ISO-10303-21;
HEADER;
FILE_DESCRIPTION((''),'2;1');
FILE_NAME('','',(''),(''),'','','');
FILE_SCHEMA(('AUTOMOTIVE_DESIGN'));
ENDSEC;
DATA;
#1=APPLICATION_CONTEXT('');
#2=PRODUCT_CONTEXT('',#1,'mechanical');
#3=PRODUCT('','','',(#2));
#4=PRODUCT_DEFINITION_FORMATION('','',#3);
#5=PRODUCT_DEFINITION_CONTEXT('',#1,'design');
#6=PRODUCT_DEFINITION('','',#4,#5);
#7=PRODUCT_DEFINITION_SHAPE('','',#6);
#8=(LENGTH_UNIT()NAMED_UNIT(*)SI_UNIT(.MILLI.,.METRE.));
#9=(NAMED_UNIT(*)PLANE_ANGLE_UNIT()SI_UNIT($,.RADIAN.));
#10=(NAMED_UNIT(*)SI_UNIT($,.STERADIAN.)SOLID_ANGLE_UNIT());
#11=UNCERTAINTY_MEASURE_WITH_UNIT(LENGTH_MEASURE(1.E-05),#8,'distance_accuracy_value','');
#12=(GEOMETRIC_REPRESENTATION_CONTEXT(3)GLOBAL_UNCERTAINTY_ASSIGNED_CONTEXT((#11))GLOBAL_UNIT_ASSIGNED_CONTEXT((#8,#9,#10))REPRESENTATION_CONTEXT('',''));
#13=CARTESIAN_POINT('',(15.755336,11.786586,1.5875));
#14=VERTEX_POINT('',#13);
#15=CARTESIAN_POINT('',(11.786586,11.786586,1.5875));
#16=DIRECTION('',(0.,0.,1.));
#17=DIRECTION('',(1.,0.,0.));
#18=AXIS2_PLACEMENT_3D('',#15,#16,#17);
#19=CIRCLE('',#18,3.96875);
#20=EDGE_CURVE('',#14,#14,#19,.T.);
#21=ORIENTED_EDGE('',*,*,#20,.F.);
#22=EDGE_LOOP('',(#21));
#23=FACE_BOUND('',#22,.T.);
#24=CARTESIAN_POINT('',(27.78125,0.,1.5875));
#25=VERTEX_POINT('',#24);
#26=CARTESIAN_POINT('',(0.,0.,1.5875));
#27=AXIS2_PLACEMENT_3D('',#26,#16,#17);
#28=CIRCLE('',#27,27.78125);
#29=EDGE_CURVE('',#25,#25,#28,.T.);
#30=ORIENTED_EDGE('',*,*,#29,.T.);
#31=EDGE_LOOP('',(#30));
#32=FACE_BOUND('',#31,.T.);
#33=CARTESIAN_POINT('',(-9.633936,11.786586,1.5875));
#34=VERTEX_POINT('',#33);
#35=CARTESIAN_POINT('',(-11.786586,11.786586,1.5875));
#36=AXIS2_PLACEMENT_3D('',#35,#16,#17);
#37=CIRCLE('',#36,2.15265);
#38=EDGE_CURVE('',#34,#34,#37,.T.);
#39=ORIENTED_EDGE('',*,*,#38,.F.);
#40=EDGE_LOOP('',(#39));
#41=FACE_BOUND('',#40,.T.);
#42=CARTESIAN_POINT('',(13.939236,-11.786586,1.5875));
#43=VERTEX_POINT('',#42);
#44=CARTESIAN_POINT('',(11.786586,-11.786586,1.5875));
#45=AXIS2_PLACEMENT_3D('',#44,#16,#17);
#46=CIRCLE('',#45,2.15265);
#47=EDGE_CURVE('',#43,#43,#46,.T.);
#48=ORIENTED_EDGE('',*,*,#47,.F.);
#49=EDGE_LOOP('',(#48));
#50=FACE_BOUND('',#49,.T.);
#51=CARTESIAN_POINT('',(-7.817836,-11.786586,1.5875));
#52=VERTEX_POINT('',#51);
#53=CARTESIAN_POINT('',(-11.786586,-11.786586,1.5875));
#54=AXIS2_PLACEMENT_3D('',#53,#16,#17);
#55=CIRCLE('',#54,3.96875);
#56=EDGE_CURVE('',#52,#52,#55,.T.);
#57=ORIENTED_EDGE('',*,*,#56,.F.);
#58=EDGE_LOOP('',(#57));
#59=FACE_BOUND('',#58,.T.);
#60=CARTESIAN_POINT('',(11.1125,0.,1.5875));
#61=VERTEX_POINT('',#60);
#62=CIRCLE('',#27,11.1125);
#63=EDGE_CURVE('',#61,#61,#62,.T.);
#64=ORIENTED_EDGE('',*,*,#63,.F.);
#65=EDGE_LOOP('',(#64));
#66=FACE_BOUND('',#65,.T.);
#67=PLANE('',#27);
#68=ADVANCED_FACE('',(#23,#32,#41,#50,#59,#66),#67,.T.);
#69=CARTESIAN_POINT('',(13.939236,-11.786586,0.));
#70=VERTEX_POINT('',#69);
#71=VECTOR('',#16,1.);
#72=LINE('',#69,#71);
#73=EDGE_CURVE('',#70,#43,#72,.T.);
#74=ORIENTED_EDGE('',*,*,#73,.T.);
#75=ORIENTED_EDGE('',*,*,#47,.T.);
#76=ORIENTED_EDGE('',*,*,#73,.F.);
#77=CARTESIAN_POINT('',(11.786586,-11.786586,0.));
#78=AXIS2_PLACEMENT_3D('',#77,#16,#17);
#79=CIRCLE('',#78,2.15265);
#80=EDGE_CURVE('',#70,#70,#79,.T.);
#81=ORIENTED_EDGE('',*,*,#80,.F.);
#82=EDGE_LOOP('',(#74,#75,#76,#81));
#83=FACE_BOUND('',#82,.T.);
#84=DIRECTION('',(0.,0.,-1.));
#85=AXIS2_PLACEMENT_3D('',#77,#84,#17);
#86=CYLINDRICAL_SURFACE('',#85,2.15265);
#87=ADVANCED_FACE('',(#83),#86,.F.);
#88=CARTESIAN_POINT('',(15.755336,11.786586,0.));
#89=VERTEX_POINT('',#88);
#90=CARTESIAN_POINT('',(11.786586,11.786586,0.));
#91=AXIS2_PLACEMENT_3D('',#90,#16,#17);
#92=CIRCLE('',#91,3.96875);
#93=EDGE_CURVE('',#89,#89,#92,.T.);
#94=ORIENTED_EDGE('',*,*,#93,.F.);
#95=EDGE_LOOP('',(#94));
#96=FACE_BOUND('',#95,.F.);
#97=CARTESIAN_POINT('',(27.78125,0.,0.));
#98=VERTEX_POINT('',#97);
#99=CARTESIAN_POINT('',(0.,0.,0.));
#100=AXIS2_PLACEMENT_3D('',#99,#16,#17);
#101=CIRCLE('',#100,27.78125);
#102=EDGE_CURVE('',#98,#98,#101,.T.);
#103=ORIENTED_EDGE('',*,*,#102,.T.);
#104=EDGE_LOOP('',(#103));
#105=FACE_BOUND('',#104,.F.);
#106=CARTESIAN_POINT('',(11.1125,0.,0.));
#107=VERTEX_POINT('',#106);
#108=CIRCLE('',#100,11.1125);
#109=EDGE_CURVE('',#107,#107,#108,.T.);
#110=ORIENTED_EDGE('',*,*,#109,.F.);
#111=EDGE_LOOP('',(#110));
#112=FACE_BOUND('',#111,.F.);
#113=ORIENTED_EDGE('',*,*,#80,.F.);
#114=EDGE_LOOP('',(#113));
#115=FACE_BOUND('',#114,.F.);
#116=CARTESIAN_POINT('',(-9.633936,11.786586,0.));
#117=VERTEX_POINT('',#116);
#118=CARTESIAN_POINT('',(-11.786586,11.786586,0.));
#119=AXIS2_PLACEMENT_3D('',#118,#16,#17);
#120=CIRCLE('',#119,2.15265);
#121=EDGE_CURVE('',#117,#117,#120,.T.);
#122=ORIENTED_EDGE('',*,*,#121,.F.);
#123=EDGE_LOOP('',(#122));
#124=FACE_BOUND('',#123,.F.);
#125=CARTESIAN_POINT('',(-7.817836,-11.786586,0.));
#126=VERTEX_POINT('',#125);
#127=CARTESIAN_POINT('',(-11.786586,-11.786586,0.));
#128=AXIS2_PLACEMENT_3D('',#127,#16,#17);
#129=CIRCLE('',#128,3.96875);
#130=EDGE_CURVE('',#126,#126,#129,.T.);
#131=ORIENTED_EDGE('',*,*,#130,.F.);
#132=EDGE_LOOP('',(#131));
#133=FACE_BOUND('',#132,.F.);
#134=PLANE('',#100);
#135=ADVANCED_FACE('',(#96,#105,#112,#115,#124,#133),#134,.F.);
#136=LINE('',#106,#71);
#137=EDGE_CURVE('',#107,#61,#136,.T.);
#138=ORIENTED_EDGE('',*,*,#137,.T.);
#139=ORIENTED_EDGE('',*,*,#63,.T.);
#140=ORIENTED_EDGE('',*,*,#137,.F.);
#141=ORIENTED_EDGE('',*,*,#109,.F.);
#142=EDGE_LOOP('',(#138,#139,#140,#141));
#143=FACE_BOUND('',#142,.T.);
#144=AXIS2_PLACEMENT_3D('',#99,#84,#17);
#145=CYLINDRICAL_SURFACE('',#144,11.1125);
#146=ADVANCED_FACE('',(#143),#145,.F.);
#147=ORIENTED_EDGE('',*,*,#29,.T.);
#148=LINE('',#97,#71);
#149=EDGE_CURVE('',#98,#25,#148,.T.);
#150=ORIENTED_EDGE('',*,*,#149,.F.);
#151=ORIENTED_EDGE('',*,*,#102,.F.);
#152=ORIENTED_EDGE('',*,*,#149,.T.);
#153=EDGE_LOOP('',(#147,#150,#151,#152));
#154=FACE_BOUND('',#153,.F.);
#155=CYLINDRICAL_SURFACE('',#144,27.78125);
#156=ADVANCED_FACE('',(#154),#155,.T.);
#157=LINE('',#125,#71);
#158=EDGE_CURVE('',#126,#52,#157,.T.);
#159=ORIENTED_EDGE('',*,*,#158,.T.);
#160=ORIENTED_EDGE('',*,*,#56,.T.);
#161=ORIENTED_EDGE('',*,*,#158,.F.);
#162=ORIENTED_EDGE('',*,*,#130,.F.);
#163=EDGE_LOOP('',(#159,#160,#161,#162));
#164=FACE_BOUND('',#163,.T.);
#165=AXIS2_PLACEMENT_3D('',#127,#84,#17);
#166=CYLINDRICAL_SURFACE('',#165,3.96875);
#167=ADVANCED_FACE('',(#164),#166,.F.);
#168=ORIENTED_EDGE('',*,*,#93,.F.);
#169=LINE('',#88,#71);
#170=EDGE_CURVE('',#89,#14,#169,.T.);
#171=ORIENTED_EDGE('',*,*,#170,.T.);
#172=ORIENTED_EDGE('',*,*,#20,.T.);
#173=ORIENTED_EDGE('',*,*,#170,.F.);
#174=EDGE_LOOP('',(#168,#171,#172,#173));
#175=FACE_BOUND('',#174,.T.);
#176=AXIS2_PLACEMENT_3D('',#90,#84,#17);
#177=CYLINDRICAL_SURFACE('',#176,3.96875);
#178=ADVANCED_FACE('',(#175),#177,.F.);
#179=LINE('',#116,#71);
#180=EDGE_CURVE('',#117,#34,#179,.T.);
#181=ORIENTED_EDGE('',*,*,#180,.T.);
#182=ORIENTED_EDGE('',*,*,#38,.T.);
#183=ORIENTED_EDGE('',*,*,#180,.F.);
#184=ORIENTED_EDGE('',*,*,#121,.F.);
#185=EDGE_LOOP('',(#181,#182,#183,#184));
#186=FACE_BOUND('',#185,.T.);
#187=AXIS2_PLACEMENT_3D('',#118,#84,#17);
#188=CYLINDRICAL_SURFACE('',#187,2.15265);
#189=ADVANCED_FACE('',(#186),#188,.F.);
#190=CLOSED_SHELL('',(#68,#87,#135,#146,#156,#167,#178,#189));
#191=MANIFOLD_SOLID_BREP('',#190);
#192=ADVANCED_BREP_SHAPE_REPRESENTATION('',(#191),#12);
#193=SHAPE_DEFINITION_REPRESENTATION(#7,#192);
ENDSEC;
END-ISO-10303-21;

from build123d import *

# Parameters (mm, degrees)
F0_R     = 27.78125
F0_R_2   = 3.96875
F0_R_3   = 2.15265
F0_R_4   = 11.1125
F1_DEPTH = 1.5875


with BuildPart() as f1:
    # F0 (on Top) → F1 (new body)
    with BuildSketch(Plane.XY):
        Circle(F0_R)
        with Locations((-11.786586, -11.786586)):
            Circle(F0_R_2, mode=Mode.SUBTRACT)
        with Locations((11.786586, -11.786586)):
            Circle(F0_R_3, mode=Mode.SUBTRACT)
        with Locations((-11.786586, 11.786586)):
            Circle(F0_R_3, mode=Mode.SUBTRACT)
        Circle(F0_R_4, mode=Mode.SUBTRACT)
        with Locations((11.786586, 11.786586)):
            Circle(F0_R_2, mode=Mode.SUBTRACT)
    extrude(amount=F1_DEPTH)


solid = f1.part
